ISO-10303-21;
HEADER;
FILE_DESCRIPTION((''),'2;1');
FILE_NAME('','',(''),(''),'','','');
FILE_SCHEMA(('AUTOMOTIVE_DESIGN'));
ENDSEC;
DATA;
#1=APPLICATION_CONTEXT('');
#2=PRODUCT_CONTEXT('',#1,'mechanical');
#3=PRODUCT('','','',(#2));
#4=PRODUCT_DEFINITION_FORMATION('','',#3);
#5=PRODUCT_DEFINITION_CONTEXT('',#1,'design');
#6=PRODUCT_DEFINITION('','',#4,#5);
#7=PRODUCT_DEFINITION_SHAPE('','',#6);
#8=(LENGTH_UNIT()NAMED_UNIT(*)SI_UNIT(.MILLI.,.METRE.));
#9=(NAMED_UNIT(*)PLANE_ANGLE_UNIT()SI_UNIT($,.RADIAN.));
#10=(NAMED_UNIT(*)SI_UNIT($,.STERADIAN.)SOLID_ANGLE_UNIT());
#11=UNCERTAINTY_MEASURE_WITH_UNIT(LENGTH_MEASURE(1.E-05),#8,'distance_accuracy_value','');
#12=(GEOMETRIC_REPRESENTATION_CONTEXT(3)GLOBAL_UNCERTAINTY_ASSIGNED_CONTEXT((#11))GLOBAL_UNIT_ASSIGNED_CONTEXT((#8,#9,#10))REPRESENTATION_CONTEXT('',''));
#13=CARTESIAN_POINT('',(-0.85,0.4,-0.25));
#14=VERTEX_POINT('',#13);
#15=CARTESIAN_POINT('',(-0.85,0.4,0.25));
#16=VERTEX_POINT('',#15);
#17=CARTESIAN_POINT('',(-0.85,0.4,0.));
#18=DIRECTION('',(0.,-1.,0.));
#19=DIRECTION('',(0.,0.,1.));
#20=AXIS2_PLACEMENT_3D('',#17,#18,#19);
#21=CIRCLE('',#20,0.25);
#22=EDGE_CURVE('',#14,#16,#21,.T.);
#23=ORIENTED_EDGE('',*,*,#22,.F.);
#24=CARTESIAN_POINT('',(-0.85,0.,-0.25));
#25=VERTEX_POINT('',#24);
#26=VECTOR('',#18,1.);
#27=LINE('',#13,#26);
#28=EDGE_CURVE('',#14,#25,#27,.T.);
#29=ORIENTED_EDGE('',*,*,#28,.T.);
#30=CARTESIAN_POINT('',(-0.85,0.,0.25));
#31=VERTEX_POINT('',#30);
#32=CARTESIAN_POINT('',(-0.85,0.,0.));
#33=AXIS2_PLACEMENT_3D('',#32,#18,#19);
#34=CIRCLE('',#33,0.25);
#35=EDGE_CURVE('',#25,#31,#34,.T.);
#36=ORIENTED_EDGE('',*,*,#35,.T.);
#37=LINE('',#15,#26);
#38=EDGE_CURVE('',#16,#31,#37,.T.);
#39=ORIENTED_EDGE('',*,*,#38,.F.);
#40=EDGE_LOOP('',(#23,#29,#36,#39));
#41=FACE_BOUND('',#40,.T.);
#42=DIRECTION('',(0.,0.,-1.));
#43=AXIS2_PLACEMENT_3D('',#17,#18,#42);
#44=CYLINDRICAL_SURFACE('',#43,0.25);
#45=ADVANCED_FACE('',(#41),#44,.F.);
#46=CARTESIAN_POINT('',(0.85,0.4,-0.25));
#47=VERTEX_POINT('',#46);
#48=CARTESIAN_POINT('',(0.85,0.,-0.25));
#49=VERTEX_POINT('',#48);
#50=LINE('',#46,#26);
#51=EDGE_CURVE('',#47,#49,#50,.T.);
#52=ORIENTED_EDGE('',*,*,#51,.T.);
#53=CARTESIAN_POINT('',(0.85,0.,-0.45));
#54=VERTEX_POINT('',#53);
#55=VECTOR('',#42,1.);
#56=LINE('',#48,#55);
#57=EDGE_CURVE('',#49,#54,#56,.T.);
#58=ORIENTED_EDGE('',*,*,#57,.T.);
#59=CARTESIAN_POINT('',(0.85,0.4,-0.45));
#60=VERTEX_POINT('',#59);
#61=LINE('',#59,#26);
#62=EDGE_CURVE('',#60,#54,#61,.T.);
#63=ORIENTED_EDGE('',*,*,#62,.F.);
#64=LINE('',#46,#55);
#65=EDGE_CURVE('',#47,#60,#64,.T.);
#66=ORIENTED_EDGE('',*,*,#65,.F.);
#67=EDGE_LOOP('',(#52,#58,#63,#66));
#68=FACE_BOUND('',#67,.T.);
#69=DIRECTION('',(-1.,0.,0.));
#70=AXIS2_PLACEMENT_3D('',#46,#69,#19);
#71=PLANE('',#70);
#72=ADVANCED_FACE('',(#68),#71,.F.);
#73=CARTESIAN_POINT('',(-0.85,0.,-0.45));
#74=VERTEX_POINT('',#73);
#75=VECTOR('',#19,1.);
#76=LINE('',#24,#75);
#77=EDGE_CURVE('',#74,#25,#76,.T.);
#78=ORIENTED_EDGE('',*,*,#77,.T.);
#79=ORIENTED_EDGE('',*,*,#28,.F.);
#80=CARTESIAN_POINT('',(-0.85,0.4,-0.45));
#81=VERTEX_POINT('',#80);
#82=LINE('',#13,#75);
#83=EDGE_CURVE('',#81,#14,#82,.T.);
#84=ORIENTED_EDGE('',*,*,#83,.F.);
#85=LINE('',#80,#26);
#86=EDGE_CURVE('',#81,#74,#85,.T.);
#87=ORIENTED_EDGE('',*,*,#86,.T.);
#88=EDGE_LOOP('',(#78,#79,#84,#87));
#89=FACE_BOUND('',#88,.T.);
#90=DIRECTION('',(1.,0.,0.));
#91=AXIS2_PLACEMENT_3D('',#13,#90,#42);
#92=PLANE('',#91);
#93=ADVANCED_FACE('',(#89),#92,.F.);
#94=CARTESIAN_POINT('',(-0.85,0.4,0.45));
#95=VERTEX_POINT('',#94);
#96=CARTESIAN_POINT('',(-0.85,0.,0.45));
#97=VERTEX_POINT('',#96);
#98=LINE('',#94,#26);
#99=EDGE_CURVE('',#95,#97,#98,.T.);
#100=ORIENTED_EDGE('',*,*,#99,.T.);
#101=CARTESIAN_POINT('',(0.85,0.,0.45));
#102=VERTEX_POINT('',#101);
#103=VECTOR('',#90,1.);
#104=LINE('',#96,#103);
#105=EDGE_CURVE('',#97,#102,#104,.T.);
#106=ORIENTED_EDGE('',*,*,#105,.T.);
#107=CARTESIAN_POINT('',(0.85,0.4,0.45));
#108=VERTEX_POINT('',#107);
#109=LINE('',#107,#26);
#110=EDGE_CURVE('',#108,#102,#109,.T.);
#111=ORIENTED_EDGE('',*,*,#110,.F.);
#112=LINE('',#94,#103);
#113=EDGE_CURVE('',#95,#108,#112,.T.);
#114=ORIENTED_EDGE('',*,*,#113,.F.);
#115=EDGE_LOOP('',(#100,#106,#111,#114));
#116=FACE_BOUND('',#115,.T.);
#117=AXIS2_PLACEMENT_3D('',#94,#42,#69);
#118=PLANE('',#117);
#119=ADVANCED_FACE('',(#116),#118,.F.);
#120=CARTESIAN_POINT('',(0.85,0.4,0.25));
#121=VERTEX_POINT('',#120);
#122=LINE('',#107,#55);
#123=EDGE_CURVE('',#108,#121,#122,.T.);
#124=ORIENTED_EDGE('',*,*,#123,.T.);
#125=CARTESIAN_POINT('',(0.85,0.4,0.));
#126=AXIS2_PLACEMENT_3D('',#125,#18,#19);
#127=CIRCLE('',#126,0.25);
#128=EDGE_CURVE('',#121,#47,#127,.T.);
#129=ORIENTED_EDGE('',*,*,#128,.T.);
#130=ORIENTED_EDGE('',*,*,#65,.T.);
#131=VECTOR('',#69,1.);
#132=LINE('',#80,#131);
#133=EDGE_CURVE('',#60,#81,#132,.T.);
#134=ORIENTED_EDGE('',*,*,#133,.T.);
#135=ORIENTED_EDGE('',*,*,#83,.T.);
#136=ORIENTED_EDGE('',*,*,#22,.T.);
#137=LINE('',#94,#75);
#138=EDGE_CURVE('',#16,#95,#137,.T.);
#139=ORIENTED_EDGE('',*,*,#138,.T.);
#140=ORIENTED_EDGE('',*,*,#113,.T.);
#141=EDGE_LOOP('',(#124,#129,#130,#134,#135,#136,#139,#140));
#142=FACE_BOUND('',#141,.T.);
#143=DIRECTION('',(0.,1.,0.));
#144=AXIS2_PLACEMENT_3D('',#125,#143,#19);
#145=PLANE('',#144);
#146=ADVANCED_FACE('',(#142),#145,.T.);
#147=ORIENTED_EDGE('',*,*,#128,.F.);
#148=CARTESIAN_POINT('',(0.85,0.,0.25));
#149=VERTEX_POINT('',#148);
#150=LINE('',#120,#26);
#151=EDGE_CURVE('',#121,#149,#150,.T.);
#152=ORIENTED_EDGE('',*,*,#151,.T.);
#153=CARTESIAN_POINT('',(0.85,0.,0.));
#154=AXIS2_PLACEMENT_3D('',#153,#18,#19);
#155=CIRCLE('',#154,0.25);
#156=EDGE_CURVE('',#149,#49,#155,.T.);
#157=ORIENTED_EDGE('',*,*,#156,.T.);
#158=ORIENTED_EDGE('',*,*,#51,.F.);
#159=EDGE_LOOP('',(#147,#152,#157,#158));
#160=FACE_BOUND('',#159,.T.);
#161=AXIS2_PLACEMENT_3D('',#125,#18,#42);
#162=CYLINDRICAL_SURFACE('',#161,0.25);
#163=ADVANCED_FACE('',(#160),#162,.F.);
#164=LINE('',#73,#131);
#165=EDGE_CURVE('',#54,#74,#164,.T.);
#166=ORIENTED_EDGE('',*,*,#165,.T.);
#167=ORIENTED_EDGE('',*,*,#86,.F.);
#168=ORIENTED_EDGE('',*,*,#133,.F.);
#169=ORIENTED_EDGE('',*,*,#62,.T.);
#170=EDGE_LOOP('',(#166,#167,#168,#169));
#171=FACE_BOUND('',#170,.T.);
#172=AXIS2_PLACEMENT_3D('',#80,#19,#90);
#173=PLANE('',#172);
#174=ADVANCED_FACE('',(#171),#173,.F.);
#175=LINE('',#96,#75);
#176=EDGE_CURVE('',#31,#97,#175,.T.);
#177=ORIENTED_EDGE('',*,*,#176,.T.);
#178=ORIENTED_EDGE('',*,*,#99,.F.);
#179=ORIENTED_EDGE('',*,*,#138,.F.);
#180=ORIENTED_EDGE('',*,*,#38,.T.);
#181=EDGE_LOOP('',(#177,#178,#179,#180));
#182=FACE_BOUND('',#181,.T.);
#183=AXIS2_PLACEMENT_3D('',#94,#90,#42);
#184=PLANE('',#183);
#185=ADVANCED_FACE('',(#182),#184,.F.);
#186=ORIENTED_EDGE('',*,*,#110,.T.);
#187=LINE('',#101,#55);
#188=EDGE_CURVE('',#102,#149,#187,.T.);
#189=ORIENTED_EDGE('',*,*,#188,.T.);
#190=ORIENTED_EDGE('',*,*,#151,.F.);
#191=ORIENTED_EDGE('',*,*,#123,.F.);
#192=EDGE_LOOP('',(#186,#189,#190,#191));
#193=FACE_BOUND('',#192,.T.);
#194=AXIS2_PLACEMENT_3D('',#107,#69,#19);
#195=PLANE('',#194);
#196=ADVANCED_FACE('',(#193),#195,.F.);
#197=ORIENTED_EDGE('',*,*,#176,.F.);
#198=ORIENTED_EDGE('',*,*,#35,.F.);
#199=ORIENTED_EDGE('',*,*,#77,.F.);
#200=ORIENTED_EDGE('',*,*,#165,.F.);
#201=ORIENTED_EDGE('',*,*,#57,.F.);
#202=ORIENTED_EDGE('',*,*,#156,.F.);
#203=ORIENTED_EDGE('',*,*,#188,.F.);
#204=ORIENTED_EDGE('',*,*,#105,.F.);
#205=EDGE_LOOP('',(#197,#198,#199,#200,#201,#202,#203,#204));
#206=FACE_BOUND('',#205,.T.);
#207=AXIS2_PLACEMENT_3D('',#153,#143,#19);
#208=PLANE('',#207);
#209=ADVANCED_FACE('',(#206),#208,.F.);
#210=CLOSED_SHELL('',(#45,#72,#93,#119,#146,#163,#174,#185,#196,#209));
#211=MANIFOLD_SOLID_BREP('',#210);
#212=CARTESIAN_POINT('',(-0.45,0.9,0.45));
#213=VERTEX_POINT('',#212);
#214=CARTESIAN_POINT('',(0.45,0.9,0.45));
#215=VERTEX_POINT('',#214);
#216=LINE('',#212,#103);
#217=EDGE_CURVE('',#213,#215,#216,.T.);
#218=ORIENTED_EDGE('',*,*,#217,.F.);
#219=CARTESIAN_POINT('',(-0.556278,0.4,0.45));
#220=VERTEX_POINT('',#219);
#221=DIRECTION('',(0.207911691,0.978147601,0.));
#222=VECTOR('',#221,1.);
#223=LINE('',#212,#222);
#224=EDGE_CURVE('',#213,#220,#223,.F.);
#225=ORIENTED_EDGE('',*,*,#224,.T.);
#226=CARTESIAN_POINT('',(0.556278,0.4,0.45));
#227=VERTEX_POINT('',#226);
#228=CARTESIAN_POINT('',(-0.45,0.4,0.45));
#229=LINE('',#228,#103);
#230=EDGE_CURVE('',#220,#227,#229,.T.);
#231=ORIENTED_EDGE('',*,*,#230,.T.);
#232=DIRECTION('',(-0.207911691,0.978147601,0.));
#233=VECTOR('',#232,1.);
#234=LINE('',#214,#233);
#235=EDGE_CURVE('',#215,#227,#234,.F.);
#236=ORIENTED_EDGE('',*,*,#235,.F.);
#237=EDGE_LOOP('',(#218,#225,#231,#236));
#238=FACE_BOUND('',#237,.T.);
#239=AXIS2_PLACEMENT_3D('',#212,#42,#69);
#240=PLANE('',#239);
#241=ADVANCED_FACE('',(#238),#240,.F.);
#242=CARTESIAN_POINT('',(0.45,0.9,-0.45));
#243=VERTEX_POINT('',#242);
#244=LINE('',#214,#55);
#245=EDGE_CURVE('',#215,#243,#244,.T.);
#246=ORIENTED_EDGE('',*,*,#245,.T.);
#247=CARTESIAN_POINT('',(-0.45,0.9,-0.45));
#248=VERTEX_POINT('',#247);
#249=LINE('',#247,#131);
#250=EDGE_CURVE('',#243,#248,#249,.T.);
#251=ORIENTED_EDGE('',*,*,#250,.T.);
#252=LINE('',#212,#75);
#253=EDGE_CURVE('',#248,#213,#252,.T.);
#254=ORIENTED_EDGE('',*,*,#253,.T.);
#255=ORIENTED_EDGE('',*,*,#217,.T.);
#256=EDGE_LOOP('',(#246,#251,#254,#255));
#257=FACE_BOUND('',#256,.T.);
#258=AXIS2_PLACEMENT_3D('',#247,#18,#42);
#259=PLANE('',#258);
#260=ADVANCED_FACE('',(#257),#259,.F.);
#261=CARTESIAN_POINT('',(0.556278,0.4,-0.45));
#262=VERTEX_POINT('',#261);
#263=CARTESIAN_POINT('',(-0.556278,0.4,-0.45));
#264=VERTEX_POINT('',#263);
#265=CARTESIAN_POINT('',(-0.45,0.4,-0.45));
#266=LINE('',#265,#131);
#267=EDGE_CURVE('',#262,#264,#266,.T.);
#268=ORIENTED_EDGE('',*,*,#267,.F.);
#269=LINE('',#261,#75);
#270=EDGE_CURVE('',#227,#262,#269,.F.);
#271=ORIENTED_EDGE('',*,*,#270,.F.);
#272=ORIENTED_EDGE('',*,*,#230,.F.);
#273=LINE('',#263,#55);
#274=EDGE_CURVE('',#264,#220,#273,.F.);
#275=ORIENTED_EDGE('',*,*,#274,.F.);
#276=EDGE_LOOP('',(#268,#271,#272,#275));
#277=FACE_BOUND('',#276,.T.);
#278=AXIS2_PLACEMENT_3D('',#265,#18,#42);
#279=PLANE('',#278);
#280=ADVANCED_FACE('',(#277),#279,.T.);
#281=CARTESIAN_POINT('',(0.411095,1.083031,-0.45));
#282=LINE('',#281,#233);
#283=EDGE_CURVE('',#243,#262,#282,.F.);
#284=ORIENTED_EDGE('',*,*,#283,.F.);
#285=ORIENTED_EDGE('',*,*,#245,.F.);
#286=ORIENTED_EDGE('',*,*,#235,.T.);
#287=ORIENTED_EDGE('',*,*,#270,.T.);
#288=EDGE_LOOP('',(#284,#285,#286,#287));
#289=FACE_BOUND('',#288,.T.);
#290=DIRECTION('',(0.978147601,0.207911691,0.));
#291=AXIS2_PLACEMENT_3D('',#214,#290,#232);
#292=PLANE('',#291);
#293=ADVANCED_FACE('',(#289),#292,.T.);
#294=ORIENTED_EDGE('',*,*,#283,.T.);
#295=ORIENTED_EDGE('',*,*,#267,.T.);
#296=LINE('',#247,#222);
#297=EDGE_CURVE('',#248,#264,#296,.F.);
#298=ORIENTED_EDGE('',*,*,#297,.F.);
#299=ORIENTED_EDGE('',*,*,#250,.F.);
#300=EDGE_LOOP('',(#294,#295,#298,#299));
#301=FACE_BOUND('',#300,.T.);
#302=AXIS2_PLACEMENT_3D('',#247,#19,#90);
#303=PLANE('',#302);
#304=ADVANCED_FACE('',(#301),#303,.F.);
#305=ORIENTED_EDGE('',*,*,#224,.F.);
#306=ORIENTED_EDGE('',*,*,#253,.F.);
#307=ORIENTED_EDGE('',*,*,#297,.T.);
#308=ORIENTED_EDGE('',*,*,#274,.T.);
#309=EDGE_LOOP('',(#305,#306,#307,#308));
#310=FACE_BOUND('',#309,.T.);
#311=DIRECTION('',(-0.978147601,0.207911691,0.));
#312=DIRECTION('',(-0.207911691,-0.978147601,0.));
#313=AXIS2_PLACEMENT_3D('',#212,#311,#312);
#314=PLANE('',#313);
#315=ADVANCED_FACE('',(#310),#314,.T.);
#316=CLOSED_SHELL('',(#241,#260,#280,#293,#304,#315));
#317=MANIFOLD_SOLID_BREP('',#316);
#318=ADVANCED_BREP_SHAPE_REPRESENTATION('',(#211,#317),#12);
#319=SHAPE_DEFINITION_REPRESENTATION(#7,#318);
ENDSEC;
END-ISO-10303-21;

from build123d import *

# Parameters (mm, degrees)
BOSS_EXTRUDE1_DEPTH = 0.4
SKETCH2_W           = 0.9
SKETCH2_H           = 0.9
BOSS_EXTRUDE2_DEPTH = 0.5
DRAFT2_ANGLE        = 12


with BuildPart() as part:
    # Sketch1 → Boss-Extrude1 (new body)
    with BuildSketch(Plane(origin=(0, 0, 0), x_dir=(1, 0, 0), z_dir=(0, 1, 0))):
        with BuildLine():
            Line((-0.85, -0.45), (0.85, -0.45))
            Line((0.85, -0.45), (0.85, -0.25))
            ThreePointArc((0.85, -0.25), (0.6, 0), (0.85, 0.25))
            Line((0.85, 0.25), (0.85, 0.45))
            Line((0.85, 0.45), (-0.85, 0.45))
            Line((-0.85, 0.45), (-0.85, 0.25))
            ThreePointArc((-0.85, 0.25), (-0.6, 0), (-0.85, -0.25))
            Line((-0.85, -0.25), (-0.85, -0.45))
        make_face()
    extrude(amount=BOSS_EXTRUDE1_DEPTH)


with BuildPart() as body_2:
    # Sketch2 → Boss-Extrude2 (new body)
    with BuildSketch(Plane(origin=(0, 0.4, 0), x_dir=(1, 0, 0), z_dir=(0, 1, 0))):
        Rectangle(SKETCH2_W, SKETCH2_H)
    extrude(amount=BOSS_EXTRUDE2_DEPTH)

    # Draft2
    draft2_faces = [body_2.faces().sort_by_distance(p)[0] for p in [
        (-0.45, 0.65, 0),
        (0.45, 0.65, 0),
    ]]
    draft(draft2_faces, Plane(origin=(-0.45, 0.9, -0.45), x_dir=(0, 0, 1), z_dir=(0, 1, 0)), DRAFT2_ANGLE)


solid = Compound([part.part, body_2.part])
